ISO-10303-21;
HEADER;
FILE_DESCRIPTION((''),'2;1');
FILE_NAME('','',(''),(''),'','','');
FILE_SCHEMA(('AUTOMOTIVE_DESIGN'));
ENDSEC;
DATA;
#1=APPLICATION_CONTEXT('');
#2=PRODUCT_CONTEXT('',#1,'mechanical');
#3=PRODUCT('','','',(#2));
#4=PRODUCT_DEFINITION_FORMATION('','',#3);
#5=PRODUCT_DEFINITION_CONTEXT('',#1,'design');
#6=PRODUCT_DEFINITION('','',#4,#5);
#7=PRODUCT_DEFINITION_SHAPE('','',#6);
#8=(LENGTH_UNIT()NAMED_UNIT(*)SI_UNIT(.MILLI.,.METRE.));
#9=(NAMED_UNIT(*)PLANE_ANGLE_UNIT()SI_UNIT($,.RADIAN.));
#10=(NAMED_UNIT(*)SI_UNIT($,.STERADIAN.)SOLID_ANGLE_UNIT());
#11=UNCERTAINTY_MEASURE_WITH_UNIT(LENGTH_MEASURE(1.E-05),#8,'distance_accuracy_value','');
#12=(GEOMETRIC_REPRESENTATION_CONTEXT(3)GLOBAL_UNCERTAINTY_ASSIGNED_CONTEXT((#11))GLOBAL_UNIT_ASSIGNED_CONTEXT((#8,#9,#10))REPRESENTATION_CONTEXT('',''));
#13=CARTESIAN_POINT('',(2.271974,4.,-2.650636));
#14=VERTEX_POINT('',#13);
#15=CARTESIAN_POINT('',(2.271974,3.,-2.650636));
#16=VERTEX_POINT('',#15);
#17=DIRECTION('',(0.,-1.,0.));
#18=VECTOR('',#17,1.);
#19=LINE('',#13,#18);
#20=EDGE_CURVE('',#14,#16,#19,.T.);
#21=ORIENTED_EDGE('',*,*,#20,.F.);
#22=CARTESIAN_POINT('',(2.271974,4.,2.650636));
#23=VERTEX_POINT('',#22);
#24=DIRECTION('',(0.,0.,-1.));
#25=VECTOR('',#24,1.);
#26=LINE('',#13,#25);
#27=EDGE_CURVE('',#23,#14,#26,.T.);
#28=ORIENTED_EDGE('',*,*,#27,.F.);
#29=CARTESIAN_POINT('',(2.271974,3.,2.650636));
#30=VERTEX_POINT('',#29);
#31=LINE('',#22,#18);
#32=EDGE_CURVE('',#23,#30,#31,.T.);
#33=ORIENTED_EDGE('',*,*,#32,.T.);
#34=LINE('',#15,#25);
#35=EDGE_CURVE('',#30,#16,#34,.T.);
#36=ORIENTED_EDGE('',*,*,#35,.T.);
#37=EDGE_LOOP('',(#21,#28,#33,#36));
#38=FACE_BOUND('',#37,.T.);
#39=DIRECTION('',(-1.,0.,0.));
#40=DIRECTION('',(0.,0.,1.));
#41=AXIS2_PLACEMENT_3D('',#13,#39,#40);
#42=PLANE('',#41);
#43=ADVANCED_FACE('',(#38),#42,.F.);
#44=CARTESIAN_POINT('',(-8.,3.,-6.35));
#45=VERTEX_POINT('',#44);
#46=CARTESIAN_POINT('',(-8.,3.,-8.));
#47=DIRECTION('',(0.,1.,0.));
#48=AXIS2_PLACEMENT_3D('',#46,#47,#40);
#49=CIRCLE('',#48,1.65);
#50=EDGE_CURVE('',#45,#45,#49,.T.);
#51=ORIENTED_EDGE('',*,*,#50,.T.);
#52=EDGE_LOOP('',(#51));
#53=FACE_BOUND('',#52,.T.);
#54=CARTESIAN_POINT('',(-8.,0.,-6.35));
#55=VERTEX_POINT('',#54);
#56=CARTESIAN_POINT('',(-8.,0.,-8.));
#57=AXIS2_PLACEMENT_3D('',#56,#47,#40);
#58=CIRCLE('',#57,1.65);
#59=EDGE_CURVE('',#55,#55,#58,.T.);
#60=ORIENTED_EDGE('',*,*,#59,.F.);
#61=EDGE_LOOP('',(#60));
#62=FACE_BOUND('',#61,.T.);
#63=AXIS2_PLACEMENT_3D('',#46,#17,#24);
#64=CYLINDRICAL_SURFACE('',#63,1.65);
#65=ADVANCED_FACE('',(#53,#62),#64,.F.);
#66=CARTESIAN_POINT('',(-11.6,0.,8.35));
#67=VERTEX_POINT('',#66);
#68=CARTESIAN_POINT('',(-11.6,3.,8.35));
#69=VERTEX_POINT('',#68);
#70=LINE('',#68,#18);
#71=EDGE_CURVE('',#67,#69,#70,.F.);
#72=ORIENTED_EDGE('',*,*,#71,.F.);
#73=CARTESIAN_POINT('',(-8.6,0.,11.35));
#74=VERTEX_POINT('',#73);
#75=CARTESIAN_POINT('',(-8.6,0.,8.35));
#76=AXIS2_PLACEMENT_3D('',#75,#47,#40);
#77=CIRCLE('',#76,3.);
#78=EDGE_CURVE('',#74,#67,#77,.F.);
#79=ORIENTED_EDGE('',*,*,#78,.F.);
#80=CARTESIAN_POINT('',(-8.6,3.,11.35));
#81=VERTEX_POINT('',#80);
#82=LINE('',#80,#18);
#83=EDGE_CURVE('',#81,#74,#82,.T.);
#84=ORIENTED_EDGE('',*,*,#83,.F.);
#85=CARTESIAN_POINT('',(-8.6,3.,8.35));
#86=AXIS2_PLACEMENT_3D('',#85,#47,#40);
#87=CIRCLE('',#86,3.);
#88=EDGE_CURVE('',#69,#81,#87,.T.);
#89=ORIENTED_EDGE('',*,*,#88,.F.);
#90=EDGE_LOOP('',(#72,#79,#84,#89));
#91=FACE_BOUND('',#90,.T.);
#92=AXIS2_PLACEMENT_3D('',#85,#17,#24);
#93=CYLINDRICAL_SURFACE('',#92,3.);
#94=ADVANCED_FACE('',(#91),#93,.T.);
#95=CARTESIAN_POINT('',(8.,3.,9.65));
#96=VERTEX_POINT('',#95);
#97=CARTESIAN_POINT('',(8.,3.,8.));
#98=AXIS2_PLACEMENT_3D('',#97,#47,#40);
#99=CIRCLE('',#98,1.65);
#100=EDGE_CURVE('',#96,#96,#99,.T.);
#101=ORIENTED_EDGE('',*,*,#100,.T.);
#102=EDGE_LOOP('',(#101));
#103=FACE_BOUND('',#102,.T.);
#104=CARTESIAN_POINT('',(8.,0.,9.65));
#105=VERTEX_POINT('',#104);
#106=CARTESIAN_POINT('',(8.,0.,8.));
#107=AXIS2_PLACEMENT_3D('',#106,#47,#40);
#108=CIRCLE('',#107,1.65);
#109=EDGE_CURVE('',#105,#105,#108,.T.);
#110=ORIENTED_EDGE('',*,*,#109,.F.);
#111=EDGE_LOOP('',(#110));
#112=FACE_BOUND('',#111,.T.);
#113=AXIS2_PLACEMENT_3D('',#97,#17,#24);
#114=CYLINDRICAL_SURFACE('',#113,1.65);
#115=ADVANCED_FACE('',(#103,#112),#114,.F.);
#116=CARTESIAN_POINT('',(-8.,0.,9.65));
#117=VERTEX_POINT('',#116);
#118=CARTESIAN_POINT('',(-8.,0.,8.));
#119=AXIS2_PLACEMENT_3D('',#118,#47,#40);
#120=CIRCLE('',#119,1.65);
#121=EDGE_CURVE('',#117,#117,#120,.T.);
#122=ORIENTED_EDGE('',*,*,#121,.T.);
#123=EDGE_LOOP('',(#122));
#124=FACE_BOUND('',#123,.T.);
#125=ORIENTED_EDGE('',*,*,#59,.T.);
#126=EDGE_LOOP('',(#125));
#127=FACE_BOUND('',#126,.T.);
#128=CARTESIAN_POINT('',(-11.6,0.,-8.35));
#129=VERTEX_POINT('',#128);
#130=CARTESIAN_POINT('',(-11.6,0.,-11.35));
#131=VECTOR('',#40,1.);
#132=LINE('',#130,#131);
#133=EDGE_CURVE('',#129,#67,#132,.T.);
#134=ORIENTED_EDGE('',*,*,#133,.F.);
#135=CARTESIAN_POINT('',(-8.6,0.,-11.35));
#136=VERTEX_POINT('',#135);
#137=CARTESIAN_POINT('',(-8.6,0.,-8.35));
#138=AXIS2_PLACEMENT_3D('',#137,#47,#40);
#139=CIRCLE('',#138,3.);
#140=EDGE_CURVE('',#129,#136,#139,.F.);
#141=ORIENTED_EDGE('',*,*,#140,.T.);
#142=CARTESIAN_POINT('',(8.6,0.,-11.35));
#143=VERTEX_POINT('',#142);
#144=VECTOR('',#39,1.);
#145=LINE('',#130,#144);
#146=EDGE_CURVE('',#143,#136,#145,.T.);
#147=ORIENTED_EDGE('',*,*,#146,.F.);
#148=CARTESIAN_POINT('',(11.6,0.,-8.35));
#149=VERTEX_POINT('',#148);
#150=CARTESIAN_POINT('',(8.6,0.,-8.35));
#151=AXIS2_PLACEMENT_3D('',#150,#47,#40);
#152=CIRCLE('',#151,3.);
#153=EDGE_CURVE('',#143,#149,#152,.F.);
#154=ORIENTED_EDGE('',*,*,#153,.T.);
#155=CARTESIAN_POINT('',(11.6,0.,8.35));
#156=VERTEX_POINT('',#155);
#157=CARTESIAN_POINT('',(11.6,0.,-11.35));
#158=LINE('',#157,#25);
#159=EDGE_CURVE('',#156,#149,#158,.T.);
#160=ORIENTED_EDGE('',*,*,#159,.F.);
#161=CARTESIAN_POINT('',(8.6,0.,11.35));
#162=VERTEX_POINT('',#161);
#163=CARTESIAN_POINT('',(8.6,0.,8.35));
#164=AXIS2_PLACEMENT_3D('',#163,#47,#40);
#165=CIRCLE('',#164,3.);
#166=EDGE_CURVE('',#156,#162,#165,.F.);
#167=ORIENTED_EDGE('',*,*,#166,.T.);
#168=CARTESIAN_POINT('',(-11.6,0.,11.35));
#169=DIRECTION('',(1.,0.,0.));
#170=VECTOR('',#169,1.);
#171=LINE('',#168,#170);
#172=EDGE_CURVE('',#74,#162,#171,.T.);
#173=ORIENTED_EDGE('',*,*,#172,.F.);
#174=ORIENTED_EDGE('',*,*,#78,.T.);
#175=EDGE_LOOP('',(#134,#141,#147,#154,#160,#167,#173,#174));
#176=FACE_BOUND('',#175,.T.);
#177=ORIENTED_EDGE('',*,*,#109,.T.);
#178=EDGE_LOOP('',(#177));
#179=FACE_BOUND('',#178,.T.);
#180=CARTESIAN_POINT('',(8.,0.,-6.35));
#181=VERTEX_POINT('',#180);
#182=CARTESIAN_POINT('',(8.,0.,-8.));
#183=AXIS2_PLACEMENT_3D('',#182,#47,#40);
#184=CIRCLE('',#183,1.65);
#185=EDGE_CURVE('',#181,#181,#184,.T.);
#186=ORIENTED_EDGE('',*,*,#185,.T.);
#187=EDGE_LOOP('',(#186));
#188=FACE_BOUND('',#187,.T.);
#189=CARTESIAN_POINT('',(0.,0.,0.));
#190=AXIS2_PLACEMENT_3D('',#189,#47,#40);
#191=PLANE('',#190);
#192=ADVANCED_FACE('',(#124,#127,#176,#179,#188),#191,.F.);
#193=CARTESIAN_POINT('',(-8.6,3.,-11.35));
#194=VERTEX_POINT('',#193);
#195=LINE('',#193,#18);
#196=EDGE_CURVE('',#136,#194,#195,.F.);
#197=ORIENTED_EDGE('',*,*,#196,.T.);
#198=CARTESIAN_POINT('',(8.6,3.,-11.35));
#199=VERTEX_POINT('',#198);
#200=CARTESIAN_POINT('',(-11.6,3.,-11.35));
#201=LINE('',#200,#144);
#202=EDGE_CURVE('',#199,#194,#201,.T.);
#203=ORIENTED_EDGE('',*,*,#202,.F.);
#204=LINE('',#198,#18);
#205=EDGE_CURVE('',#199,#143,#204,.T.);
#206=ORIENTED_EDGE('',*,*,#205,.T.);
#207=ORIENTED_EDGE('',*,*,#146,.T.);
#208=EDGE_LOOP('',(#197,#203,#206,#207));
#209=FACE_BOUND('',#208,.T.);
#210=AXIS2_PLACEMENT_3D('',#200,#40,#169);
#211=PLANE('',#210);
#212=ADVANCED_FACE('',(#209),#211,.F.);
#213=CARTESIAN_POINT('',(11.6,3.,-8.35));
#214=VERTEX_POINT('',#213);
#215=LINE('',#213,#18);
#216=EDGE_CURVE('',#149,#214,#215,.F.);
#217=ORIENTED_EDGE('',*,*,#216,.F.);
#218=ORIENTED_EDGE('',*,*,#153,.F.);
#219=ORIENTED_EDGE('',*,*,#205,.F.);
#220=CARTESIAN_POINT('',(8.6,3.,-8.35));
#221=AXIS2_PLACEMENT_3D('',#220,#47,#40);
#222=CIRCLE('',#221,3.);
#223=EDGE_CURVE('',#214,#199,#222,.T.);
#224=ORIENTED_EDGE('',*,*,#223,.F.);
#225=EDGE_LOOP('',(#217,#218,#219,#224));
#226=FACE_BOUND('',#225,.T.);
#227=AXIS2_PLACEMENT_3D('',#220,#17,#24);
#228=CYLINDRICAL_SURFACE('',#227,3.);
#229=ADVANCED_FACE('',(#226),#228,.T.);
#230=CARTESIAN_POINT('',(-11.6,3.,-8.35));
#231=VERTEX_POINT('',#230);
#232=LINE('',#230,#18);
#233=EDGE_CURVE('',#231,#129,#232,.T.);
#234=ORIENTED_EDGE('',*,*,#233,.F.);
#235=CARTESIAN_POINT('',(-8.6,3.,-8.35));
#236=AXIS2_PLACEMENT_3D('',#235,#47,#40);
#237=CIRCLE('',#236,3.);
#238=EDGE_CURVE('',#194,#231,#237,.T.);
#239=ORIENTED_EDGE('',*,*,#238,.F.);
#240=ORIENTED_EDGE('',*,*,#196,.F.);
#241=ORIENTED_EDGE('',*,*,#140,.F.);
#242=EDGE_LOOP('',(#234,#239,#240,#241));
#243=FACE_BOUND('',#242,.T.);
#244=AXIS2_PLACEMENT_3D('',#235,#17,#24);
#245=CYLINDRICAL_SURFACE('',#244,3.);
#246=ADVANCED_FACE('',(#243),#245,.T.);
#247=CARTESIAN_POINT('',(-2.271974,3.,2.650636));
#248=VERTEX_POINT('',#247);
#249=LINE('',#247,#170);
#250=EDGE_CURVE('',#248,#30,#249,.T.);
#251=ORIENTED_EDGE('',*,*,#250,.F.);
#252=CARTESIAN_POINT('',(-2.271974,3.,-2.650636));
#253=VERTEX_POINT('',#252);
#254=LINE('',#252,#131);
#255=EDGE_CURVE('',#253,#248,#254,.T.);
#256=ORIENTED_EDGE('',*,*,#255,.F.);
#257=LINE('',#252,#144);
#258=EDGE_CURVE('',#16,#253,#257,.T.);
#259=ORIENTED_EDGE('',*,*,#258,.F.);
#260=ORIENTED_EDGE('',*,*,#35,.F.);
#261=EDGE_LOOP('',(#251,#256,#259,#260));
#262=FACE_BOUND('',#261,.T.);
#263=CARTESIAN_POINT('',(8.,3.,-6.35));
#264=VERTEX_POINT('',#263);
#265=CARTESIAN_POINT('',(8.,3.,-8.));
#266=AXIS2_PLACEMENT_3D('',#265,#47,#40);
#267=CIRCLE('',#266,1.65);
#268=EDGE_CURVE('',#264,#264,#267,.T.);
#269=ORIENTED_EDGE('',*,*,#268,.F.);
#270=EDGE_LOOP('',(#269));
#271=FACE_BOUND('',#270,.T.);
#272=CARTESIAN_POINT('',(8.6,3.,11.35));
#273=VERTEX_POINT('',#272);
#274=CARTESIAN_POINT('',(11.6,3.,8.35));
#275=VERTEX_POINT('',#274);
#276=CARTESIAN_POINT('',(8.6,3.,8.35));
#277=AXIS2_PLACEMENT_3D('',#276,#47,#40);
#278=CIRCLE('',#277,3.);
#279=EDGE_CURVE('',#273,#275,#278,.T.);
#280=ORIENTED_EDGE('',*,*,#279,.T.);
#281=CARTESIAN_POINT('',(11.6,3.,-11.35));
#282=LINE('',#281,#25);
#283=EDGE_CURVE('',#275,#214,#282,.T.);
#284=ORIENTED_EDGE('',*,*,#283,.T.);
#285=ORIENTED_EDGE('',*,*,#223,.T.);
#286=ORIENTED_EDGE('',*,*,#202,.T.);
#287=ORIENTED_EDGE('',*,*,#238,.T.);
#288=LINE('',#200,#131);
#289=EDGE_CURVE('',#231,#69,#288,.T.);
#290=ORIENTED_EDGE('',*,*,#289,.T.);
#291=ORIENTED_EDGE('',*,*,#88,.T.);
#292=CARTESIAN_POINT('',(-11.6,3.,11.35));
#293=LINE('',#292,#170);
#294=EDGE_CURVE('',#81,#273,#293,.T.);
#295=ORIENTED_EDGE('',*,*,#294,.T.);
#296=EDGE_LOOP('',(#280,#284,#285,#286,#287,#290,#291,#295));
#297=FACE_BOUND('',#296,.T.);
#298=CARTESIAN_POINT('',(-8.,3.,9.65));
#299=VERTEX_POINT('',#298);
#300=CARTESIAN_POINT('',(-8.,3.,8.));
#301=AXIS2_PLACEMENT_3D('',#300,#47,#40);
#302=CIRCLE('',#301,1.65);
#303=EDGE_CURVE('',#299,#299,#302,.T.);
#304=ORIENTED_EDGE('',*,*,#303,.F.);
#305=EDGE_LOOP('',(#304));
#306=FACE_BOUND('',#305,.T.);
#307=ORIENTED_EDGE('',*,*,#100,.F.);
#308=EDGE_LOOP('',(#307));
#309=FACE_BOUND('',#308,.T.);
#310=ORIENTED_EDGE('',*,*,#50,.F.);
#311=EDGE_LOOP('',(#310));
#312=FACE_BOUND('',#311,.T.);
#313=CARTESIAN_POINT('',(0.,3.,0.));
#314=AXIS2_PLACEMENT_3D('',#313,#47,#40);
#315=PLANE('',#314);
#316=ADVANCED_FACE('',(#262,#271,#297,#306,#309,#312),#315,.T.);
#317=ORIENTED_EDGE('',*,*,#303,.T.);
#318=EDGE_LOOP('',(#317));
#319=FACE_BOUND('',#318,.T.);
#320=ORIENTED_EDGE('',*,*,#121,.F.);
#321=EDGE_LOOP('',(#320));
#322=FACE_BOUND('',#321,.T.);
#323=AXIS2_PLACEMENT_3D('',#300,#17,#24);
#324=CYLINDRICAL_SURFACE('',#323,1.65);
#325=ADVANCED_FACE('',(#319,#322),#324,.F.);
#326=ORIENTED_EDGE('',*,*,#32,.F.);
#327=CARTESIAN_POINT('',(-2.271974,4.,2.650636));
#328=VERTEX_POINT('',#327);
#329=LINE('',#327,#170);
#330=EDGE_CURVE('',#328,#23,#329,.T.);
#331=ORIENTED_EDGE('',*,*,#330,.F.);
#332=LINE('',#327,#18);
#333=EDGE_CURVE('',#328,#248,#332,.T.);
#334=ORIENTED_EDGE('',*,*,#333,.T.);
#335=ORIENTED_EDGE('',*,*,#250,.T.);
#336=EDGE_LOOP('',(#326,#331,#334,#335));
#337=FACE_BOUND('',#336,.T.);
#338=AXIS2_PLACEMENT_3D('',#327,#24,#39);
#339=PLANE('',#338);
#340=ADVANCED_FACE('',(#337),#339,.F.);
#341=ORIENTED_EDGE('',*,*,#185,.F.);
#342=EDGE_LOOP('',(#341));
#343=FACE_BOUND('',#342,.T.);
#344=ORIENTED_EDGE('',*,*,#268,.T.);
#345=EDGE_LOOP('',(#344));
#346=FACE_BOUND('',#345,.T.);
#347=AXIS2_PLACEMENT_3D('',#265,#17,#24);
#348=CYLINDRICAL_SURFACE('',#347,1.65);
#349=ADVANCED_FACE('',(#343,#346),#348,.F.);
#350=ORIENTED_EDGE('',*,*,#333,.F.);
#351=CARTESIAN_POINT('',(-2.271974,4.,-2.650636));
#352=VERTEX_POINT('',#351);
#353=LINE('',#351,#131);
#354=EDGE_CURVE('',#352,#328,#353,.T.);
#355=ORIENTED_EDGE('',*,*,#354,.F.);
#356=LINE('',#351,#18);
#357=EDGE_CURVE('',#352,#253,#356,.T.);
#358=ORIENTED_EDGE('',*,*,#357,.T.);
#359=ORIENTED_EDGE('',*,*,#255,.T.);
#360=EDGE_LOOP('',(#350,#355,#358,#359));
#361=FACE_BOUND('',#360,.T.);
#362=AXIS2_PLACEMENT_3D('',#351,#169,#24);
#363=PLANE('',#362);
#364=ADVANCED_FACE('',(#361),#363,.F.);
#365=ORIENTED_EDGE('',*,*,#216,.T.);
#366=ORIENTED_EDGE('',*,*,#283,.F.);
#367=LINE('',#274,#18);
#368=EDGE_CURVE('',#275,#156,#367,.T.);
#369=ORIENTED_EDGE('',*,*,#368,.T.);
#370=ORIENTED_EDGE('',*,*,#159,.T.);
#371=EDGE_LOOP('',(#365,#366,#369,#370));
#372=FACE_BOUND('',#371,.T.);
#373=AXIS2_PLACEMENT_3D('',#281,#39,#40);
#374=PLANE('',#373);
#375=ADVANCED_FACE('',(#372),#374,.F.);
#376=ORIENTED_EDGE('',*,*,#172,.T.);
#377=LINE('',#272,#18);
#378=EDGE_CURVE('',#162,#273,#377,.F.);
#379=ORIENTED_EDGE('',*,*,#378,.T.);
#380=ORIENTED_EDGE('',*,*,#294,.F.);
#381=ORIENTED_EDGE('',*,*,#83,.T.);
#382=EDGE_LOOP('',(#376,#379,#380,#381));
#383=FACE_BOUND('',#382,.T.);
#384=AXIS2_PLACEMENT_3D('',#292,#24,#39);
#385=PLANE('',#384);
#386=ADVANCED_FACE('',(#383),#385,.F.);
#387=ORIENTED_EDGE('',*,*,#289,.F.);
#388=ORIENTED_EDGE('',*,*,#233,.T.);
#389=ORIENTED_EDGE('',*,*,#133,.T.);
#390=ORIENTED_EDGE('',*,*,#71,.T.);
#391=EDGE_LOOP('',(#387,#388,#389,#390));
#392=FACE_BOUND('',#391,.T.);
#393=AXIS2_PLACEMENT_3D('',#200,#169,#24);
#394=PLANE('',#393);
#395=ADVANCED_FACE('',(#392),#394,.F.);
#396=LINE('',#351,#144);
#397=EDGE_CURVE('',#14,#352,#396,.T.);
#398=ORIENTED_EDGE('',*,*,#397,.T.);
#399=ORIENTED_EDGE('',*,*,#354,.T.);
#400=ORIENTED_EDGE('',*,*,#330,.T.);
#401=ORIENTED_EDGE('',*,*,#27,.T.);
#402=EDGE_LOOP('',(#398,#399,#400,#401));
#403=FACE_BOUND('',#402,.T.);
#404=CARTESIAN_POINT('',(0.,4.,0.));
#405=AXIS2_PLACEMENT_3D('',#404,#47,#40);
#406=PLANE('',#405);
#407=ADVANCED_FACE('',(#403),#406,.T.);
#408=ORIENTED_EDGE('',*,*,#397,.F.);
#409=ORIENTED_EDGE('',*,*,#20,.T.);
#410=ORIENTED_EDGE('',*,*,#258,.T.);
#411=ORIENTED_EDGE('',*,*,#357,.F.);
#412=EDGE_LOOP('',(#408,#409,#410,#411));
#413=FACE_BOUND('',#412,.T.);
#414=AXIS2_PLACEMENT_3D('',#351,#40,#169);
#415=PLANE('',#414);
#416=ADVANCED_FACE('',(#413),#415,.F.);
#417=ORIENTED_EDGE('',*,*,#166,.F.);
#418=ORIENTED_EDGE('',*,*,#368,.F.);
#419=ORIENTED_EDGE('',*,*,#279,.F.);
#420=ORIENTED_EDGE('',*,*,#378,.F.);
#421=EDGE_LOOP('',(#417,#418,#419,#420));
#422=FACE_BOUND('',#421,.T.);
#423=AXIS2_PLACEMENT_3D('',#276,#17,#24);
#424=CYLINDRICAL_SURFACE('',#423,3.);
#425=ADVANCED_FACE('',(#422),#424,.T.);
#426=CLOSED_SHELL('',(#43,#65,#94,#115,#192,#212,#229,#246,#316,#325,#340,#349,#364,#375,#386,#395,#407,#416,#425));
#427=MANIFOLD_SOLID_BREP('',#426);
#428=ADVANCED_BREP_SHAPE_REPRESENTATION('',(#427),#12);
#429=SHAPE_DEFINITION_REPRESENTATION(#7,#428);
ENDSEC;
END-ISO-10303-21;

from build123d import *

# Parameters (mm, degrees)
SKETCH_1_W      = 23.2
SKETCH_1_H      = 22.7
SKETCH_1_R      = 1.65
EXTRUDE_1_DEPTH = 3
FILLET_1_R      = 3
SKETCH_2_W      = 4.543947028
SKETCH_2_H      = 5.301271532
EXTRUDE_2_DEPTH = 1


with BuildPart() as part:
    # 草图1 → 凸台-拉伸1 (new body)
    with BuildSketch(Plane(origin=(0, 0, 0), x_dir=(1, 0, 0), z_dir=(0, 1, 0))):
        Rectangle(SKETCH_1_W, SKETCH_1_H)
        with Locations(Location((-8, 8, 0), (0, 0, 270))):
            Circle(SKETCH_1_R, mode=Mode.SUBTRACT)
        with Locations(Location((8, 8, 0), (0, 0, 270))):
            Circle(SKETCH_1_R, mode=Mode.SUBTRACT)
        with Locations(Location((8, -8, 0), (0, 0, 270))):
            Circle(SKETCH_1_R, mode=Mode.SUBTRACT)
        with Locations(Location((-8, -8, 0), (0, 0, 270))):
            Circle(SKETCH_1_R, mode=Mode.SUBTRACT)
    extrude(amount=EXTRUDE_1_DEPTH)

    # 圆角1
    fillet_1_edges = [part.edges().sort_by_distance(p)[0] for p in [
        (11.6, 1.5, 11.35),
        (-11.6, 1.5, 11.35),
        (-11.6, 1.5, -11.35),
        (11.6, 1.5, -11.35),
    ]]
    fillet(fillet_1_edges, radius=FILLET_1_R)

    # 草图2 → 凸台-拉伸2 (add)
    with BuildSketch(Plane(origin=(0, 3, 0), x_dir=(1, 0, 0), z_dir=(0, 1, 0))):
        Rectangle(SKETCH_2_W, SKETCH_2_H)
    extrude(amount=EXTRUDE_2_DEPTH)


solid = part.part
